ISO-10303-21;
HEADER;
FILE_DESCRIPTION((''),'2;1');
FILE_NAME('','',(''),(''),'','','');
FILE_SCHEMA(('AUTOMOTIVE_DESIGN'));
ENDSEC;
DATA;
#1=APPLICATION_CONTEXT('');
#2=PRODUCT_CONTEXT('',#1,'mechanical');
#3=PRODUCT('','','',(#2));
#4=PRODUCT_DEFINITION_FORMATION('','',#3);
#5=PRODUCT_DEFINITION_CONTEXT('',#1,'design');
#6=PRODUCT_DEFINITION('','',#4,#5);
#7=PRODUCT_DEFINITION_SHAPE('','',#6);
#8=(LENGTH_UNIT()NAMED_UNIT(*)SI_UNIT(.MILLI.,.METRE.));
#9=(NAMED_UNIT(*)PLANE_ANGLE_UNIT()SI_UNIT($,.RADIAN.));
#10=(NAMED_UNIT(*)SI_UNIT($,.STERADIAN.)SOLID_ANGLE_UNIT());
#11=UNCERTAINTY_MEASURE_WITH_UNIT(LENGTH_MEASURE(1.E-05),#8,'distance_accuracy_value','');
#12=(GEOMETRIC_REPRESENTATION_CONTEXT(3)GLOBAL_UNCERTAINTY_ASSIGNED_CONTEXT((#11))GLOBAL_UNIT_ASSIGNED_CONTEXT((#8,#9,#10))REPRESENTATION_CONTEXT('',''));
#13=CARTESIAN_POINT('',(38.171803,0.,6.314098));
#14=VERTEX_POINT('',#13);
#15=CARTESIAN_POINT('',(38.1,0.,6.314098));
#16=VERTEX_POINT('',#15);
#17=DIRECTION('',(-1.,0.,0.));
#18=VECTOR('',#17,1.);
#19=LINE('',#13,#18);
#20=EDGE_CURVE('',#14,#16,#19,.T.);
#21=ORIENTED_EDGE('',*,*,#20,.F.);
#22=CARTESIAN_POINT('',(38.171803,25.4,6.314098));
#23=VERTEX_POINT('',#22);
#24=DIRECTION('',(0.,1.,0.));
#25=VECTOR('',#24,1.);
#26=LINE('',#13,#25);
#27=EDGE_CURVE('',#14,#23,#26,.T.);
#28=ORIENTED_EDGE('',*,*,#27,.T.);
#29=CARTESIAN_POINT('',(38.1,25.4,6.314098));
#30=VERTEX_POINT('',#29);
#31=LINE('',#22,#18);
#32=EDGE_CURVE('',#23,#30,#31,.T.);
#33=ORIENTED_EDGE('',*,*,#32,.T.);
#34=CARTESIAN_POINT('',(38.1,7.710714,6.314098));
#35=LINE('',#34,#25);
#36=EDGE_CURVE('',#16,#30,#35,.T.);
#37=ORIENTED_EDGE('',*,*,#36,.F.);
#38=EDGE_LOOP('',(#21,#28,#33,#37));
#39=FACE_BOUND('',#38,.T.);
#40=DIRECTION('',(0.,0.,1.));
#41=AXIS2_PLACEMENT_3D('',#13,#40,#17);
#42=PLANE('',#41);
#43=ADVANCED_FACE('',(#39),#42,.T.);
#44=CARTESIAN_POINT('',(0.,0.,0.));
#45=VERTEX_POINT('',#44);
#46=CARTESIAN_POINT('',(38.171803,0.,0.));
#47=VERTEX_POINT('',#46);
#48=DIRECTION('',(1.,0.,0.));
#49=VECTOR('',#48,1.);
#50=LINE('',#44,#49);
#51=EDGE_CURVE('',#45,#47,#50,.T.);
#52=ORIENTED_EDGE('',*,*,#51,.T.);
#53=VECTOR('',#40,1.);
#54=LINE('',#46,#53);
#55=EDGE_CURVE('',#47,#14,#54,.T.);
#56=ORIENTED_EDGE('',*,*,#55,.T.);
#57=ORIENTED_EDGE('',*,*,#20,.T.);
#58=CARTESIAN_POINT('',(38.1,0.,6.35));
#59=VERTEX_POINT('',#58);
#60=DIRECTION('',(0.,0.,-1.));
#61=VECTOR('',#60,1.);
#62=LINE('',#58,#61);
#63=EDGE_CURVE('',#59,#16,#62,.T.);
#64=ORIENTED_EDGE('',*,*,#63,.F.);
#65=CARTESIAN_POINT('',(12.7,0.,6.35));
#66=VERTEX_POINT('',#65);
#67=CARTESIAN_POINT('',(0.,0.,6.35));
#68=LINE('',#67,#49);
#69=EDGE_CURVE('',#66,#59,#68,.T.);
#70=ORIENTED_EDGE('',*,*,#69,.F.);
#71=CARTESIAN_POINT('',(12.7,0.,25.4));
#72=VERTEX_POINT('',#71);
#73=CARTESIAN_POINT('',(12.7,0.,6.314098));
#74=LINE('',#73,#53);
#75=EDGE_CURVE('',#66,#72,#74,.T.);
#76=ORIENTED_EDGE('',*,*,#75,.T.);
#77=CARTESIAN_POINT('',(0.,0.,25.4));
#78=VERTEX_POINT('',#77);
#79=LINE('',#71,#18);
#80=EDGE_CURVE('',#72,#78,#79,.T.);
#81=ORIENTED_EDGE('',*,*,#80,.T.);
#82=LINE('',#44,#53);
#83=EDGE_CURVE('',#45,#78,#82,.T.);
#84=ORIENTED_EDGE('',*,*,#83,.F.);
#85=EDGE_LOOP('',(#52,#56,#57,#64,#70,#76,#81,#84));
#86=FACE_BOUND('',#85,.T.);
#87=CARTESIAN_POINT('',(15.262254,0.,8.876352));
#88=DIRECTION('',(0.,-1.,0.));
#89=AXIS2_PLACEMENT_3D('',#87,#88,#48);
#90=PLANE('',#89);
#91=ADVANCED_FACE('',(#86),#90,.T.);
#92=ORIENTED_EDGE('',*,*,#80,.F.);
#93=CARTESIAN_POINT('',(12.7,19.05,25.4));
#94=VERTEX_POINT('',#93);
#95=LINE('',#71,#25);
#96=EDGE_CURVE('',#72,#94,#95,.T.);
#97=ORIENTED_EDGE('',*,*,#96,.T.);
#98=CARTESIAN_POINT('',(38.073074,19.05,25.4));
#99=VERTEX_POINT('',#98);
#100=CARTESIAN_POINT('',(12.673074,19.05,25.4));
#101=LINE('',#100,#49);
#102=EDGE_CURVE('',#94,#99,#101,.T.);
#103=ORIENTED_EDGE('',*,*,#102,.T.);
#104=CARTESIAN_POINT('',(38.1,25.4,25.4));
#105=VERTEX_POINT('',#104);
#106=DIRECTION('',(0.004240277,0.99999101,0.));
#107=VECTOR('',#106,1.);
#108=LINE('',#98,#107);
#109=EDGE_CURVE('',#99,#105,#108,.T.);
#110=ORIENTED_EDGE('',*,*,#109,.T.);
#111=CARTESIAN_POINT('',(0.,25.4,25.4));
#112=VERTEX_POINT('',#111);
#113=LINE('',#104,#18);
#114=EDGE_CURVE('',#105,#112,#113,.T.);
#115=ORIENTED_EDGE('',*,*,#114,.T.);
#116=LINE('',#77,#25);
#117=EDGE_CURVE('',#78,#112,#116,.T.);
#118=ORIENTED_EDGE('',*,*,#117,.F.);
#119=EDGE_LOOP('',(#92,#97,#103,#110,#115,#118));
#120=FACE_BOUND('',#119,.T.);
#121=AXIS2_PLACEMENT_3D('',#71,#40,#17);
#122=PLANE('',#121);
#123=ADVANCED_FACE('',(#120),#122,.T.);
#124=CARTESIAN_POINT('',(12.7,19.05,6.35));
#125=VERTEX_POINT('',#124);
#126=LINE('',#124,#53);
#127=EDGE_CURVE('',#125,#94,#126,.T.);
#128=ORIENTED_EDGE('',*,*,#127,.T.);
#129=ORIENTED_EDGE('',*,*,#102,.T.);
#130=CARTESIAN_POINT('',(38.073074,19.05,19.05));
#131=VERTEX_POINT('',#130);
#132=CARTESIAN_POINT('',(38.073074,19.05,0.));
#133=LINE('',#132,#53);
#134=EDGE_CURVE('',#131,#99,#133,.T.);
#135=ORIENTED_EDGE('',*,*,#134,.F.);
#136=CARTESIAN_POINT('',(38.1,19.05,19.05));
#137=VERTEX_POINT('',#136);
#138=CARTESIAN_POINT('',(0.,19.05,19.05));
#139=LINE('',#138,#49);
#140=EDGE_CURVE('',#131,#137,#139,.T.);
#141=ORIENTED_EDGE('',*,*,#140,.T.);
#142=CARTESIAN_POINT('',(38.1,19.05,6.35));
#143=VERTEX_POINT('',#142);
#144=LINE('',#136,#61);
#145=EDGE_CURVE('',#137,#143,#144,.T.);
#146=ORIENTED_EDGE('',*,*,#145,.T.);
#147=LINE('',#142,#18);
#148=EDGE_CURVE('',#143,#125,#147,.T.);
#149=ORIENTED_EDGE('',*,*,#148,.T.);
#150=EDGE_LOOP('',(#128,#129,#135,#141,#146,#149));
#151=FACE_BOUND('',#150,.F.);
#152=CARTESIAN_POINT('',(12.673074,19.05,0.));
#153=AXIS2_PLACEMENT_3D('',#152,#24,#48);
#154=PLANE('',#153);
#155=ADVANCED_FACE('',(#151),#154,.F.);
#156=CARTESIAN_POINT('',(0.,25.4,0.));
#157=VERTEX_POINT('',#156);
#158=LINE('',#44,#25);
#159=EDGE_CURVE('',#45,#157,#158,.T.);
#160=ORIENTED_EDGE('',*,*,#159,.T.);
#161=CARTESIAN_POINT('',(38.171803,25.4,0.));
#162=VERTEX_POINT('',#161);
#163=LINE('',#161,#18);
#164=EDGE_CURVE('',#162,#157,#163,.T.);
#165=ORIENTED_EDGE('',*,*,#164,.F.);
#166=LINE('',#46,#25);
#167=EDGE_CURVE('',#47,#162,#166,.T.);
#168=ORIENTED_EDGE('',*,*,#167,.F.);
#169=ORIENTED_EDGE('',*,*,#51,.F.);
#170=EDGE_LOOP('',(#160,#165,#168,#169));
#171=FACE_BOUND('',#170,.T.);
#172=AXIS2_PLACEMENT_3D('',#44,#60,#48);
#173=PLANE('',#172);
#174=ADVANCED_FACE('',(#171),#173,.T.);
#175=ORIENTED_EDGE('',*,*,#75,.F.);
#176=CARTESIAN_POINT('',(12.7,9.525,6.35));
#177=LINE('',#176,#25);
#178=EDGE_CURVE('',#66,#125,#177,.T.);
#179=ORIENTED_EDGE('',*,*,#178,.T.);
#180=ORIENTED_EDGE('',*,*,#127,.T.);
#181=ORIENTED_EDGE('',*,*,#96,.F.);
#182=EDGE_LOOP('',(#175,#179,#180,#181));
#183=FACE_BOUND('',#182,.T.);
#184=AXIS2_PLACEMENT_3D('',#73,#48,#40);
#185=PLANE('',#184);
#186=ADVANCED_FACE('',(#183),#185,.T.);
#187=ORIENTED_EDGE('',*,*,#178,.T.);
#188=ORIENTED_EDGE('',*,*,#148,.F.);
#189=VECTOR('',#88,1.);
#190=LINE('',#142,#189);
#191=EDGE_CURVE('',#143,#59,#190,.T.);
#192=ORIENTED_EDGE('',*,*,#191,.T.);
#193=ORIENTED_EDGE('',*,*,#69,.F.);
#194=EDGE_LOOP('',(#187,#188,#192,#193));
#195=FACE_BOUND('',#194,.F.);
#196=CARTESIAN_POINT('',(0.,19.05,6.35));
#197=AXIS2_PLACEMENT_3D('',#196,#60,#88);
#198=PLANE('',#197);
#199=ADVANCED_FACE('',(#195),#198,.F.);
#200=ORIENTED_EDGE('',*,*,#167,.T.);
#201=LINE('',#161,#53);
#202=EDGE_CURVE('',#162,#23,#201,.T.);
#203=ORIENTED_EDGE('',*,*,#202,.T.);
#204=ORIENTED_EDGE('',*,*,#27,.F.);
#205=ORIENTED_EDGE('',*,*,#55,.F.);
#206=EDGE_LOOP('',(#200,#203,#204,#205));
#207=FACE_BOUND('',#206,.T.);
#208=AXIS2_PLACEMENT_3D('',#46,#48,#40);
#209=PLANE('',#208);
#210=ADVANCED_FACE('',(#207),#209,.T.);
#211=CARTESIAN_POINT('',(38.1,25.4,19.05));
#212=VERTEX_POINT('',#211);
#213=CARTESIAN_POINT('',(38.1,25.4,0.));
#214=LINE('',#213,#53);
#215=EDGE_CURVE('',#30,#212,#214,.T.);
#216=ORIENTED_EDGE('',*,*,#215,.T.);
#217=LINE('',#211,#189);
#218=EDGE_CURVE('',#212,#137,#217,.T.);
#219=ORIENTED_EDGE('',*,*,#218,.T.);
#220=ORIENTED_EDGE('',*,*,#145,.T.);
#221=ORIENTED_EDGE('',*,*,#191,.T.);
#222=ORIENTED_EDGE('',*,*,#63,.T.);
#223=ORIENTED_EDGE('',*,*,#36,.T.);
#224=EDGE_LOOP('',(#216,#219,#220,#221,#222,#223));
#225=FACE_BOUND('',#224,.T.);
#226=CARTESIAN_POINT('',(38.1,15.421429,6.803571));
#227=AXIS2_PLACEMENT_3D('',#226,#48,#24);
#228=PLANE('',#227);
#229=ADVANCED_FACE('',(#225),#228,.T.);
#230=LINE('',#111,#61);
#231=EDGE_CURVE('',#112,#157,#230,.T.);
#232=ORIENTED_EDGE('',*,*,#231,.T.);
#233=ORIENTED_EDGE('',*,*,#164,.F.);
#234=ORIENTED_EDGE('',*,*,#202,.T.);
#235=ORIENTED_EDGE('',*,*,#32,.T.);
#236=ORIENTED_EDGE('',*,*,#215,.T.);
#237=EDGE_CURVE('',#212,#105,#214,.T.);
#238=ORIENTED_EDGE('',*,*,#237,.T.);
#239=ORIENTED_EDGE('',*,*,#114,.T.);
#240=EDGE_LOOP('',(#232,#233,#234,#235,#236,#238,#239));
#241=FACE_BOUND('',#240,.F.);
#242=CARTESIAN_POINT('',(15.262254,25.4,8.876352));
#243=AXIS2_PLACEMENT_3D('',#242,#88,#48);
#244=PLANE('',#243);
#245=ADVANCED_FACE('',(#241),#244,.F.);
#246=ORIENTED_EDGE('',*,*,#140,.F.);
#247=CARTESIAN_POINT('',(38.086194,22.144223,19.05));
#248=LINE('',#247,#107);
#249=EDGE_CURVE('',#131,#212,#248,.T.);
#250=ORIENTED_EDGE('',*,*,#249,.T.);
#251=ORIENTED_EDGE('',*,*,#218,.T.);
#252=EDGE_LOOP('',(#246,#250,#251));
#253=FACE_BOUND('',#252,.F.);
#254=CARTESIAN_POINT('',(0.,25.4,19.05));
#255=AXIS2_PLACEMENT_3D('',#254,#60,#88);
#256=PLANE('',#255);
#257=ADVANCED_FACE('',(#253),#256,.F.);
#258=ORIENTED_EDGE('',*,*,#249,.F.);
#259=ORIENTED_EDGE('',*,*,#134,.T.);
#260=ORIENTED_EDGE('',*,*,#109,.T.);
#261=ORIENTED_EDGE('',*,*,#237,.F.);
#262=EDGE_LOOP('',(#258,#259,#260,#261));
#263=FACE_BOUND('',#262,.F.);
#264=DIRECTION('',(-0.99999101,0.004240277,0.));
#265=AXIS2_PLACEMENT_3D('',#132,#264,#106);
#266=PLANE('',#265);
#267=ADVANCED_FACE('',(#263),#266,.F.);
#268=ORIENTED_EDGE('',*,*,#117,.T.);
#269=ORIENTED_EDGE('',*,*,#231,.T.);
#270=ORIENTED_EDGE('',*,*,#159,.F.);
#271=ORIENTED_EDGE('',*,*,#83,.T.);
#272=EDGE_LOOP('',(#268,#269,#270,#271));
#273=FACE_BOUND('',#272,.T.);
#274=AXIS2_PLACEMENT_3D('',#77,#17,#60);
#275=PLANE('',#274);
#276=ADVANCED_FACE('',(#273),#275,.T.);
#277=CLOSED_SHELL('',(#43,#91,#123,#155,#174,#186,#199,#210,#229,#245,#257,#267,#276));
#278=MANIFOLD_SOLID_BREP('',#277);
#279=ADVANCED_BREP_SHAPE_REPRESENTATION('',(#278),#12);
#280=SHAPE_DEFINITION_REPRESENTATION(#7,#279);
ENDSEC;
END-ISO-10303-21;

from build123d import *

# Parameters (mm, degrees)
F3_DEPTH = 25.4
F4_DEPTH = 38.1
F5_DEPTH = 25.4


with BuildPart() as f3:
    # F0 (on Front) → F3 (new body)
    with BuildSketch(Plane.XZ):
        Polygon((0, 25.4), (0, 0), (38.171803, 0), (38.171803, 6.314098), (12.7, 6.314098), (12.7, 19.05), (12.7, 25.4), align=None)
    extrude(amount=-F3_DEPTH)

    # F1 (on Right) → F4 (join)
    with BuildSketch(Plane.YZ):
        Polygon((0, 6.35), (0, 0), (25.4, 0), (25.4, 19.05), (19.05, 19.05), (19.05, 6.35), align=None)
    extrude(amount=F4_DEPTH)

    # F2 (on Top) → F5 (join)
    with BuildSketch(Plane.XY):
        Polygon((0, 25.4), (0, 0), (12.673074, 0), (12.673074, 19.05), (38.073074, 19.05), (38.1, 25.4), align=None)
    extrude(amount=F5_DEPTH)


solid = f3.part
